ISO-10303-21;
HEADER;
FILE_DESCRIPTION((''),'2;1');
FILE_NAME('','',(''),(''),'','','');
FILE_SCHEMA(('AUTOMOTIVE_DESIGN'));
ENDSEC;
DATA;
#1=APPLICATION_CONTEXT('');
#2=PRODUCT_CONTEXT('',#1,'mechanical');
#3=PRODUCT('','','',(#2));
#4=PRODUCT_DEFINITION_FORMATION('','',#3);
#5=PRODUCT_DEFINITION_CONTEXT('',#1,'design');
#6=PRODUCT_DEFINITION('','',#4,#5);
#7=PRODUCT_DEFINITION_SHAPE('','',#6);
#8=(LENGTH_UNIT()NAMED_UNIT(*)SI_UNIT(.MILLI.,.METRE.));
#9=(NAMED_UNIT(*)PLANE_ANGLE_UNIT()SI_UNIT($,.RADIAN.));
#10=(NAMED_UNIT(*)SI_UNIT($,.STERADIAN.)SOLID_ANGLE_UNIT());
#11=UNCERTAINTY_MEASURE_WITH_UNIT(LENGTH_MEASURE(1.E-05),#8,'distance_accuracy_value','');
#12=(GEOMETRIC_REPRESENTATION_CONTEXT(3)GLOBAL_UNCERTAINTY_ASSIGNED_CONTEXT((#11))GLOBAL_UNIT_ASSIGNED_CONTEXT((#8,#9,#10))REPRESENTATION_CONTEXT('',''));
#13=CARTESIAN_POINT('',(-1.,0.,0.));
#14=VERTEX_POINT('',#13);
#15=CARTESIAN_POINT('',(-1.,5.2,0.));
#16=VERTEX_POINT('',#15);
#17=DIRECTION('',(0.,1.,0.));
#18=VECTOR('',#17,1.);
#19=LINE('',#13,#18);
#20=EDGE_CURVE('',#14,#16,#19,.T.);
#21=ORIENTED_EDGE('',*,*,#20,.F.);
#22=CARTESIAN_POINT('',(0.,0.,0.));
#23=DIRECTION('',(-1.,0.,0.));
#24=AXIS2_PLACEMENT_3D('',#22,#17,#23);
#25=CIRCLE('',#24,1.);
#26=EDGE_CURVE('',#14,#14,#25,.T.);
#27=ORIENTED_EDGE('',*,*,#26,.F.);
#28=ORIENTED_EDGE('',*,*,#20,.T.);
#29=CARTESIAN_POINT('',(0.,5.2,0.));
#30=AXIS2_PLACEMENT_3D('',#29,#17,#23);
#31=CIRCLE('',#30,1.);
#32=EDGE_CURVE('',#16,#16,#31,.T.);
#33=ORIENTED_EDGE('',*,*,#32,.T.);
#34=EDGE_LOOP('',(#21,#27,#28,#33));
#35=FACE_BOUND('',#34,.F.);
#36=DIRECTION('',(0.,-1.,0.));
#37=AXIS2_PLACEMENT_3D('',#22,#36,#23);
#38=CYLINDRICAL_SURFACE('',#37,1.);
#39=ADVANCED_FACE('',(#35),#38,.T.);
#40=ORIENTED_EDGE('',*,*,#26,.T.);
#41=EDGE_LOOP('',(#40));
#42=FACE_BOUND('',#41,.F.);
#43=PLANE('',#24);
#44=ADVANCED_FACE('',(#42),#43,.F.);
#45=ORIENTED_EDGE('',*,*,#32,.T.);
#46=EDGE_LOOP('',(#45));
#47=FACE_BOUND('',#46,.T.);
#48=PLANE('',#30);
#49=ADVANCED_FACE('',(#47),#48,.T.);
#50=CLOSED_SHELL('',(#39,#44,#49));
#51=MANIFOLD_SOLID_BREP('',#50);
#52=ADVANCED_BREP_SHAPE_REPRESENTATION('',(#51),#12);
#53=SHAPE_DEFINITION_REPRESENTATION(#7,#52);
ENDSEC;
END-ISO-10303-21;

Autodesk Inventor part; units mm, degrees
ref_plane "YZ Plane" through (0, 0, 0) normal (1, 0, 0) x (0, 1, 0)
ref_plane "XZ Plane" through (0, 0, 0) normal (0, 1, 0) x (-1, 0, 0)
ref_plane "XY Plane" through (0, 0, 0) normal (0, 0, 1) x (1, 0, 0)
sketch "Sketch1" plane through (0, 0, 0) normal (0, 1, 0) x (-1, 0, 0)
  circle A0 centre (0, 0) radius 1
  dimension "d0" = 2
extrude "Extrusion1" add sketch "Sketch1" along normal blind 5.2
properties part number "Rod"
